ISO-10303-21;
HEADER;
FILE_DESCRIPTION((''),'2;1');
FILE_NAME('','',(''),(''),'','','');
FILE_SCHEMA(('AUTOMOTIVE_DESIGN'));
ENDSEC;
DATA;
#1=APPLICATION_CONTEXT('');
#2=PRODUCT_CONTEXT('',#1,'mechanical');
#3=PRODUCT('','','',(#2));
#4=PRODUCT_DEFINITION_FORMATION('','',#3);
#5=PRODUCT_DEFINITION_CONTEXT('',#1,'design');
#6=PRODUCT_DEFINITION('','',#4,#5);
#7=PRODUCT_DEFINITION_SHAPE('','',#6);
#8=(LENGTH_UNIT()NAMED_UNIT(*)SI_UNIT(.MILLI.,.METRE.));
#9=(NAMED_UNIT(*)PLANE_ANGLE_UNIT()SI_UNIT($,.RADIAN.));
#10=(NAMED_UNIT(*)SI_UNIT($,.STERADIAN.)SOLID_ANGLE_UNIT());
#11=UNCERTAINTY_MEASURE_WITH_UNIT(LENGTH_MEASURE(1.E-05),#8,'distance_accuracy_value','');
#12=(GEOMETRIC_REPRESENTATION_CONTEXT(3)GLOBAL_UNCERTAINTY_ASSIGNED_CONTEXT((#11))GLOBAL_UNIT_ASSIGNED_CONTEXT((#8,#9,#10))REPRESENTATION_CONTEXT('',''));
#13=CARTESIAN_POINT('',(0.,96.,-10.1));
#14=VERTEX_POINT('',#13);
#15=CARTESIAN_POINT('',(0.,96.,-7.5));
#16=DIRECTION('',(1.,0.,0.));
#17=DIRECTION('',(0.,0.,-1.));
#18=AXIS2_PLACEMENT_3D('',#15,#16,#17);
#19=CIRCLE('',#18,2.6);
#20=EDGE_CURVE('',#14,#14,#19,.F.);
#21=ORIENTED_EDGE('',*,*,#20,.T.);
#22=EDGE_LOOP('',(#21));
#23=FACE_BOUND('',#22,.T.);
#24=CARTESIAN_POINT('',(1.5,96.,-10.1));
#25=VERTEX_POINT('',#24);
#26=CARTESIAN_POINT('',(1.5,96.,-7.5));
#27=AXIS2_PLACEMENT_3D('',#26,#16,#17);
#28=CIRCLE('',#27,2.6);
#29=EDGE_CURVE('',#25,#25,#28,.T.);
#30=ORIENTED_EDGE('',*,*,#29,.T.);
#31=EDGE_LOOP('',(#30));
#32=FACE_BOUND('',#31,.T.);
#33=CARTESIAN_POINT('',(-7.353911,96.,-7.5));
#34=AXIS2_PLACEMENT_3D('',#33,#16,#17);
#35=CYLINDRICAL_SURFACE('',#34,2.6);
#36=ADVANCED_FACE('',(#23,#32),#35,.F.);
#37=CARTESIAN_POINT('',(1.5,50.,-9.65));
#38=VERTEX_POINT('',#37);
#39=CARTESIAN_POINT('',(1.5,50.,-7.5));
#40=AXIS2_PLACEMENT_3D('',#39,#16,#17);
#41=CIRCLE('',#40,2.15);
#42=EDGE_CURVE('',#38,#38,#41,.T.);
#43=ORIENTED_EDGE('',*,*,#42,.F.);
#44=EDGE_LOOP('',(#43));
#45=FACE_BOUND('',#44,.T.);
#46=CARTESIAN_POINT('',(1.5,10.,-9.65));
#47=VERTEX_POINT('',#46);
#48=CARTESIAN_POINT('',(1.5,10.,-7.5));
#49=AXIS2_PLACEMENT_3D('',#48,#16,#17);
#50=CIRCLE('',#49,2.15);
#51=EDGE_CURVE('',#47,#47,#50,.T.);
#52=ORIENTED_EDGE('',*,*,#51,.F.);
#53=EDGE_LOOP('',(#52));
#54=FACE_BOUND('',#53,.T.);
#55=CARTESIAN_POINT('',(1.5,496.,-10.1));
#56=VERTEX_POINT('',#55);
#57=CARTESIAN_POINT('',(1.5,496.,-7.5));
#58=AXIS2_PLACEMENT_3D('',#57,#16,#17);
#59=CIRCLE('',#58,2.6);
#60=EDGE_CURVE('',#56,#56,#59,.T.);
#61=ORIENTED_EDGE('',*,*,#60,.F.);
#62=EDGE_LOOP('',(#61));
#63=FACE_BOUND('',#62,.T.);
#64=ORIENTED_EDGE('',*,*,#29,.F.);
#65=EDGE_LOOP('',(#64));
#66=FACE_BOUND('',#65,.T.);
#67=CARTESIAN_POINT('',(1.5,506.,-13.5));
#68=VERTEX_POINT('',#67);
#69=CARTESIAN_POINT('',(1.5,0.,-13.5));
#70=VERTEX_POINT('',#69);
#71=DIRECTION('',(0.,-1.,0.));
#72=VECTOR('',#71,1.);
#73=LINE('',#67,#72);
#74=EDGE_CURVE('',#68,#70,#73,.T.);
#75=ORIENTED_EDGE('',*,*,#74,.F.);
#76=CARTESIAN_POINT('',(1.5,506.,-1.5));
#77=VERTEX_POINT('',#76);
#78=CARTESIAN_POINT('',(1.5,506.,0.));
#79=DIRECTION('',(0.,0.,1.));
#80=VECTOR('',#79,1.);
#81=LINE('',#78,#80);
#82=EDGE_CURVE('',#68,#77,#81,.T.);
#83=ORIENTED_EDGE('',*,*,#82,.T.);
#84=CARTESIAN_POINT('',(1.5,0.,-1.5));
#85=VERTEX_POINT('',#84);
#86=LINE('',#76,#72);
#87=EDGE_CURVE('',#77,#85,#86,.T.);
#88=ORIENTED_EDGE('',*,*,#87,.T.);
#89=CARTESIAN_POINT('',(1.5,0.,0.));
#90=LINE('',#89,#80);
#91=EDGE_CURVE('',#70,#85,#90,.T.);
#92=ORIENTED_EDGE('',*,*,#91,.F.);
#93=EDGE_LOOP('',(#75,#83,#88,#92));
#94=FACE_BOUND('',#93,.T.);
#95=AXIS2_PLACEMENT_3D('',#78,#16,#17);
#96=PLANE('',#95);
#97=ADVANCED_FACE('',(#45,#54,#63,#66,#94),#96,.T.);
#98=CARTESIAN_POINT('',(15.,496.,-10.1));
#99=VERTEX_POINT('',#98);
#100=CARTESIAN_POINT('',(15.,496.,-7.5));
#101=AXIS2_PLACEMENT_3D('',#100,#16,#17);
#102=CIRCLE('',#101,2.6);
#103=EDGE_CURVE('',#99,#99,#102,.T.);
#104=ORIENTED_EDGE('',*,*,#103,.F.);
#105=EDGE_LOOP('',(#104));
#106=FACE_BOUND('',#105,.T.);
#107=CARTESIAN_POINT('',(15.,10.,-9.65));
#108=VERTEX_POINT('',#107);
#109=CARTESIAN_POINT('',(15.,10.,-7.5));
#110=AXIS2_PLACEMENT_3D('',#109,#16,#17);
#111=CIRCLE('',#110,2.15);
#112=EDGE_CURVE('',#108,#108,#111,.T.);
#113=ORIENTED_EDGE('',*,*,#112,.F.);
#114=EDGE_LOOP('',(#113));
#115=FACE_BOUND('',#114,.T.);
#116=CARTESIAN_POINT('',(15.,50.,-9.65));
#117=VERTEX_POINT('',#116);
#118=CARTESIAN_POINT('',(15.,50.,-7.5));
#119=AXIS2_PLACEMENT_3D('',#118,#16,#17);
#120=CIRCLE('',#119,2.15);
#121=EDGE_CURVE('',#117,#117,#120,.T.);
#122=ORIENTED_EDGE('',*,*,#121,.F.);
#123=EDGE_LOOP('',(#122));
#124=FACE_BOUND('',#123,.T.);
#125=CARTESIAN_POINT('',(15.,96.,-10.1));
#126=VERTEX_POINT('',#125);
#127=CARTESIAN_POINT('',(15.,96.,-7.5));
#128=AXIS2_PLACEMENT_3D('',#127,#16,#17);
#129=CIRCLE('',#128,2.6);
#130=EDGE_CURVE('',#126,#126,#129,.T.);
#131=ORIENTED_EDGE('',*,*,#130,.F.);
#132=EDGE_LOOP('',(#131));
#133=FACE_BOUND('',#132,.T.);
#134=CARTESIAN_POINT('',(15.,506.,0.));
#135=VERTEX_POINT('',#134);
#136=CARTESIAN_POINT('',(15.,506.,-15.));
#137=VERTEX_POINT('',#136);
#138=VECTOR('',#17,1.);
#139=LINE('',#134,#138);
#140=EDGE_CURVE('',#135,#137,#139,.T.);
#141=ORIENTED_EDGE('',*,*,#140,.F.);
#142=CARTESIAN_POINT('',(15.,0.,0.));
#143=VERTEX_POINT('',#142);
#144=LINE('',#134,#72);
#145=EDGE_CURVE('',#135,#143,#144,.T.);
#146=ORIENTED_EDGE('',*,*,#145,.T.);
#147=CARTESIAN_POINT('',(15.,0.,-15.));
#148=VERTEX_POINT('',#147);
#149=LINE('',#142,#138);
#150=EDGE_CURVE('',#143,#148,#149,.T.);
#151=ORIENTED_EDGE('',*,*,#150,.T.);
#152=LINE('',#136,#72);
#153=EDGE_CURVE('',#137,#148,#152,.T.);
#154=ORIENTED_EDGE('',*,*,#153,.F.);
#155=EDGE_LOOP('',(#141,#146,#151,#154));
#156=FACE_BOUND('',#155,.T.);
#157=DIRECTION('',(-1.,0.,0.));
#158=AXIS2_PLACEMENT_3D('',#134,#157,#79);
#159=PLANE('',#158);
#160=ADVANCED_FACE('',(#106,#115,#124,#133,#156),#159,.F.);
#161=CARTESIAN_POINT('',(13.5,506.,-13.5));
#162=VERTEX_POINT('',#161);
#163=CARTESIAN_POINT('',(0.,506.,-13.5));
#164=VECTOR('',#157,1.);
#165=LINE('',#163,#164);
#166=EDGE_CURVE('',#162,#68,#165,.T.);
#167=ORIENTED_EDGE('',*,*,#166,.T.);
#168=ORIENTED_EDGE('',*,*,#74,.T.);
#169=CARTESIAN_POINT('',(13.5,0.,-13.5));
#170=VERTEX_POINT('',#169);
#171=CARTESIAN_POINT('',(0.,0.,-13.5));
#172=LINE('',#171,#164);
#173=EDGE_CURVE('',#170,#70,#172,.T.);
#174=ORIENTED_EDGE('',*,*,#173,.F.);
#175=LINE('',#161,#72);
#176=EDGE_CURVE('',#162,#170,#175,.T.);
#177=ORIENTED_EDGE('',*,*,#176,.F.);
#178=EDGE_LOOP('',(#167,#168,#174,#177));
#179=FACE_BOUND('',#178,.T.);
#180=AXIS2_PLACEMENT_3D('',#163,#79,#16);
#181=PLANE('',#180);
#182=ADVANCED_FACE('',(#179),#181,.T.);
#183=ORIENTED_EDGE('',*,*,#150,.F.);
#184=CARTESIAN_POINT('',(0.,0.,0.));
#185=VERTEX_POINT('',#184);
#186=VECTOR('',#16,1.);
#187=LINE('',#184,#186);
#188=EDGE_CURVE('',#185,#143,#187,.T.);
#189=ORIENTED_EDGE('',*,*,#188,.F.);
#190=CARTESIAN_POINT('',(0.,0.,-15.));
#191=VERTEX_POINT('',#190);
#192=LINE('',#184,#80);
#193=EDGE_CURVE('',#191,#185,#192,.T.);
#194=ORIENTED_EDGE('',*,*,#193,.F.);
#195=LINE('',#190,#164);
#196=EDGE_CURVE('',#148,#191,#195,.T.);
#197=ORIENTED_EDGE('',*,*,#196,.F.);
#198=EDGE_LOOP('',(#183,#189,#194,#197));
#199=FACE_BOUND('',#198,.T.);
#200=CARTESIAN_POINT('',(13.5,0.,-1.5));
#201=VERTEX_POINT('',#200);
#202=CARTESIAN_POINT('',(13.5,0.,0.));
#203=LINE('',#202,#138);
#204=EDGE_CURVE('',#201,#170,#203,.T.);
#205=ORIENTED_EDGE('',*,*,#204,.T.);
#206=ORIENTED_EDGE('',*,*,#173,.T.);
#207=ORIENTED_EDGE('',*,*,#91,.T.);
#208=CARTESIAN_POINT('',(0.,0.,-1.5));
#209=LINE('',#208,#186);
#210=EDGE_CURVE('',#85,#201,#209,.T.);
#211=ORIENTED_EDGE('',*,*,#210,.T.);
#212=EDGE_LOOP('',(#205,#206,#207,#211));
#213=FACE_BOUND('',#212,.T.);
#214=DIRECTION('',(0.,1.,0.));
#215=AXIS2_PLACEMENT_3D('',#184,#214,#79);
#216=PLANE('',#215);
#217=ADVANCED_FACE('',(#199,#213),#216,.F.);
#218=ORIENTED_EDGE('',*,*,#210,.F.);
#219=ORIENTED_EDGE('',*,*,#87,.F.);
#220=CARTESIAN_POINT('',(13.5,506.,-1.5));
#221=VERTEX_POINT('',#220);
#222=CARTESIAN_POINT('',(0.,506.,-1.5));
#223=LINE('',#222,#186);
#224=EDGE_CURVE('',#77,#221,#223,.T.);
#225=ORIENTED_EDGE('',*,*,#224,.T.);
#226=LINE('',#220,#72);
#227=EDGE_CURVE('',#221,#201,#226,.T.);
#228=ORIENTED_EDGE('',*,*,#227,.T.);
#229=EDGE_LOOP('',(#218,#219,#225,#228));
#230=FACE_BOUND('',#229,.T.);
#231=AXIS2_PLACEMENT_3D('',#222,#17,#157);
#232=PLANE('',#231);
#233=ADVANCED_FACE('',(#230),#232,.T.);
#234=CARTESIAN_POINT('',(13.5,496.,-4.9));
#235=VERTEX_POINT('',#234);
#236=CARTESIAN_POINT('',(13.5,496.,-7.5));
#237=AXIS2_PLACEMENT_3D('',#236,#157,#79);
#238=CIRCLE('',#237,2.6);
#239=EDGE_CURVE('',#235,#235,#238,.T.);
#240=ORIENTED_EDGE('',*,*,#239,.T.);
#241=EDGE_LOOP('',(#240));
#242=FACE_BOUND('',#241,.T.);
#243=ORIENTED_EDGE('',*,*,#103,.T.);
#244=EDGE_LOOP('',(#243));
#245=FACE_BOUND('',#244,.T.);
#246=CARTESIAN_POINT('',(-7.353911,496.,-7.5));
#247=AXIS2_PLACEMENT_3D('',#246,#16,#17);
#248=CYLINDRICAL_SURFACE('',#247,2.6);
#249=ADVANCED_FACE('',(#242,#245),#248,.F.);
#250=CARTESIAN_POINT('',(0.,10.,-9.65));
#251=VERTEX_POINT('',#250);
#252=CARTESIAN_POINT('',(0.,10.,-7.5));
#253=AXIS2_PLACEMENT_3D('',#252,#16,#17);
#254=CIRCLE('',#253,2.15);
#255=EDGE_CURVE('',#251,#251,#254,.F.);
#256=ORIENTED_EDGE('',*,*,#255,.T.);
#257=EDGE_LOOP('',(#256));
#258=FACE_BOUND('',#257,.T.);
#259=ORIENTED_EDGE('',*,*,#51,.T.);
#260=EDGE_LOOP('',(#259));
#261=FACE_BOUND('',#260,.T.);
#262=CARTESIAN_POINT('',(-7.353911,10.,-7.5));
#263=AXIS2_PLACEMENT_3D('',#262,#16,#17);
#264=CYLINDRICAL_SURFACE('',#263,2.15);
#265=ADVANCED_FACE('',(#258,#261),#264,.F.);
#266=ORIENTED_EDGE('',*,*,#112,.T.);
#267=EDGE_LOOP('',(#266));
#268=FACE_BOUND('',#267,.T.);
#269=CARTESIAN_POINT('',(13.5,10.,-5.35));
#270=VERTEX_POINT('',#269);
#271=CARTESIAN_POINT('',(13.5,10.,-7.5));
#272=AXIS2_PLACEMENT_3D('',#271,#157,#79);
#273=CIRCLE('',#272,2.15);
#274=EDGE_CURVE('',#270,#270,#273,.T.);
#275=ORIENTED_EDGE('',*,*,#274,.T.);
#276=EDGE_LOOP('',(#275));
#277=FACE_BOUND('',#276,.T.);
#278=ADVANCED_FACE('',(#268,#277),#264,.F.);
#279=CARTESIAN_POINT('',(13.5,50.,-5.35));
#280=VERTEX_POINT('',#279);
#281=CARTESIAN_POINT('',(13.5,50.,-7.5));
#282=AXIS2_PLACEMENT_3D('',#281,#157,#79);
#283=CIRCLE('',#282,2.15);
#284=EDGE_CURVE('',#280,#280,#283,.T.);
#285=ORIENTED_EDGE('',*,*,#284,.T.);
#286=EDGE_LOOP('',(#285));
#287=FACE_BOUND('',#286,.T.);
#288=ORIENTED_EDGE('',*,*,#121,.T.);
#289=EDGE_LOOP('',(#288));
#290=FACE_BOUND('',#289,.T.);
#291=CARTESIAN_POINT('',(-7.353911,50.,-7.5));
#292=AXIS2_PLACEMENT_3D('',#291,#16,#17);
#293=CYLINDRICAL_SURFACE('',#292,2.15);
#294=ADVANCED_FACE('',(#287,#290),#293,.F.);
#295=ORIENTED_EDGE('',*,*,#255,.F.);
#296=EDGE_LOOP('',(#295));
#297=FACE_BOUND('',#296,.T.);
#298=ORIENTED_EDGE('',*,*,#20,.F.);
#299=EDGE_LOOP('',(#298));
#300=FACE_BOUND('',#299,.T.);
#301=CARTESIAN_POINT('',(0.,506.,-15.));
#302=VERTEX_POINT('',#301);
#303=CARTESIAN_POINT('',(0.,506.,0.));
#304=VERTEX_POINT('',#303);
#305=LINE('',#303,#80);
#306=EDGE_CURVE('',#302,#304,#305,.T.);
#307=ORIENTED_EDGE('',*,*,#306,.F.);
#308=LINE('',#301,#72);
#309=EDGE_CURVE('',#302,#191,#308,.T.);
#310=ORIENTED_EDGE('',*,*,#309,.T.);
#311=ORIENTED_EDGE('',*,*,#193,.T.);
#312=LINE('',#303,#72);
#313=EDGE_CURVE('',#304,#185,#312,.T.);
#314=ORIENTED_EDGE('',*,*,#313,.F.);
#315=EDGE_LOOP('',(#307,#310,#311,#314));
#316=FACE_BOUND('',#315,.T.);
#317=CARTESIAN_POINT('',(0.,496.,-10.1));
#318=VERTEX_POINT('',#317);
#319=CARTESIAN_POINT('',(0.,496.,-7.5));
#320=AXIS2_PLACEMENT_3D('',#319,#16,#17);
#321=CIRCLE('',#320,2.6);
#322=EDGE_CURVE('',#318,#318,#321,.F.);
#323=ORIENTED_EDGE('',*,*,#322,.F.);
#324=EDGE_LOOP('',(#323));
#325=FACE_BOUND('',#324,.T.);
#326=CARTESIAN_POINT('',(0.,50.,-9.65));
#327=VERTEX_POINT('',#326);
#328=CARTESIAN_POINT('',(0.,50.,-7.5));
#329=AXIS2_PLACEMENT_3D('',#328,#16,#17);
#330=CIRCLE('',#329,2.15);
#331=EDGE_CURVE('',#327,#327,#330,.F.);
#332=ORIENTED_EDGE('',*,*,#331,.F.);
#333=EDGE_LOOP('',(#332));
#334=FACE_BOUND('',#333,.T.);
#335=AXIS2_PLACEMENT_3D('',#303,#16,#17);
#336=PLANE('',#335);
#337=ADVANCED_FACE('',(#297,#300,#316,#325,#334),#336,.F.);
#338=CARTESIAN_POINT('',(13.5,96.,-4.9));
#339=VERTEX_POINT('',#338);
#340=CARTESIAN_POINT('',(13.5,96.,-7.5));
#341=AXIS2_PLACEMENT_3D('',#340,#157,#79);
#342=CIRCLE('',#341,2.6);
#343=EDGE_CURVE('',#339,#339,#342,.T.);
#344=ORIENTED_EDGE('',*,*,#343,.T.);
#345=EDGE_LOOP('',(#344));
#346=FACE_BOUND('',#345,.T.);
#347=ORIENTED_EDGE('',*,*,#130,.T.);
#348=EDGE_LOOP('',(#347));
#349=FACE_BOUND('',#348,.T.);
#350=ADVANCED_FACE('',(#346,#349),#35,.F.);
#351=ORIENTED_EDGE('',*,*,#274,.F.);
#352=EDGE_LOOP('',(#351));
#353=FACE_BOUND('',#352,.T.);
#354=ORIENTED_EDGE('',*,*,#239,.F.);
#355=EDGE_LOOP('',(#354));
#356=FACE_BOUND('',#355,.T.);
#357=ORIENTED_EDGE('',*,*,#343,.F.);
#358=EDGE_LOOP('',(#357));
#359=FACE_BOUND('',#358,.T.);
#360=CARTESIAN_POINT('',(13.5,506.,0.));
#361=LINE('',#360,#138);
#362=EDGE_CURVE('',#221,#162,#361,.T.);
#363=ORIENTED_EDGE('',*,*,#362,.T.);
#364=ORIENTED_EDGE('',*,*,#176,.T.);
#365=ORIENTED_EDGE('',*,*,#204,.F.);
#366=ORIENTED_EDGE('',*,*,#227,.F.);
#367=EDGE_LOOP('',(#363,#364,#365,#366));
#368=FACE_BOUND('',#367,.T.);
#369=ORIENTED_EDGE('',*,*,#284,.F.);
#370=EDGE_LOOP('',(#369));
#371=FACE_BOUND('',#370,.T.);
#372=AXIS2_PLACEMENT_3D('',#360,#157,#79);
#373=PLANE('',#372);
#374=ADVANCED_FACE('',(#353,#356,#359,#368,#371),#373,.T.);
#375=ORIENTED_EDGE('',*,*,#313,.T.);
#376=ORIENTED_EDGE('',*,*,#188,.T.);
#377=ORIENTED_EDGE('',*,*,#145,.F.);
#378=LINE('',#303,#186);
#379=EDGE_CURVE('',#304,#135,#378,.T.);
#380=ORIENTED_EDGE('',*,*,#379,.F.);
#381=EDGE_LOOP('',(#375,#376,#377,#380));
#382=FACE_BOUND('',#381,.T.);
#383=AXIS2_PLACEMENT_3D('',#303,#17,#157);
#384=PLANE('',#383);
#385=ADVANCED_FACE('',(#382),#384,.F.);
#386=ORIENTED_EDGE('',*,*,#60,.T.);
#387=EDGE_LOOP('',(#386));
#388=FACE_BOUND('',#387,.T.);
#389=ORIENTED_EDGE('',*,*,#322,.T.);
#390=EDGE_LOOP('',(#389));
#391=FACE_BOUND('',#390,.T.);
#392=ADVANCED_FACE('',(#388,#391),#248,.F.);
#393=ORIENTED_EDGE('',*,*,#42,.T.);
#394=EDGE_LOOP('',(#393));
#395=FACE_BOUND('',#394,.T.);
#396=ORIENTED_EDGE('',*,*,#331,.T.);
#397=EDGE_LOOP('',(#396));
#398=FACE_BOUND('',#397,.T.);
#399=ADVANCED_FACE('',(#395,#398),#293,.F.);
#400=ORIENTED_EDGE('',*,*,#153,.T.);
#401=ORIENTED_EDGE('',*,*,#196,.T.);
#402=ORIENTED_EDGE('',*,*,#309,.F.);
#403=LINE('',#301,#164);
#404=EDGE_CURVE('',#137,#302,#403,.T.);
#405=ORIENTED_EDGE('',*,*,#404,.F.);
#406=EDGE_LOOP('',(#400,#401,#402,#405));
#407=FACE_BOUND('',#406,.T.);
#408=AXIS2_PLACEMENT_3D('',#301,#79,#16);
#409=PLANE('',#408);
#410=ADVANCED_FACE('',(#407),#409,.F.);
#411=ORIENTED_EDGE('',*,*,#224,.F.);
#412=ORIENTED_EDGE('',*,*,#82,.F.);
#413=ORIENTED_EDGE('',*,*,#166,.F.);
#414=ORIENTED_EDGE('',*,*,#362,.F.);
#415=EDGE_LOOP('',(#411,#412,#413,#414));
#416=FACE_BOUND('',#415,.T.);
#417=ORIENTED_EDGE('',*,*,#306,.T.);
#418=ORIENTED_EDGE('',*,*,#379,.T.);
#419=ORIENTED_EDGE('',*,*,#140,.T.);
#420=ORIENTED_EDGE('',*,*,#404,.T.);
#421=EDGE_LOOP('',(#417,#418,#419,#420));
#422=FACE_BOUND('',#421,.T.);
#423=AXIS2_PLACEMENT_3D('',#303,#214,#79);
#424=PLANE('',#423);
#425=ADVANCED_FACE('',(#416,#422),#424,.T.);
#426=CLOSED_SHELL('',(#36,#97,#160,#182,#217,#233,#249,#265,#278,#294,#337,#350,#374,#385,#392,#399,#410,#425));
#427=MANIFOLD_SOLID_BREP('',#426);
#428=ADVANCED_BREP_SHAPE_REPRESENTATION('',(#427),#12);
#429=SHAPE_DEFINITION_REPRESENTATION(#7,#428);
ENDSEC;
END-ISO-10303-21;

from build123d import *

# Parameters (mm, degrees)
SKETCH_1_W          = 15
SKETCH_1_H          = 15
SKETCH_1_W_2        = 12
SKETCH_1_H_2        = 12
EXTRUDE_1_DEPTH     = 506
CUT_EXTRUDE_1_REACH = 508.444
SKETCH_2_R          = 2.6
SKETCH_2_R_2        = 2.15


with BuildPart() as part:
    # ｽｹｯﾁ1 → 押し出し-薄板1 (new body)
    with BuildSketch(Plane(origin=(0, 0, 0), x_dir=(1, 0, 0), z_dir=(0, 1, 0))):
        with Locations((7.5, 7.5)):
            Rectangle(SKETCH_1_W, SKETCH_1_H)
        with Locations((7.5, 7.5)):
            Rectangle(SKETCH_1_W_2, SKETCH_1_H_2, mode=Mode.SUBTRACT)
    extrude(amount=EXTRUDE_1_DEPTH)

    # ｶｯﾄ - 押し出し1: up to this face of the body (flat: up to its plane)
    cut_extrude_1_end = Plane(part.part.faces().sort_by_distance((0, 253, -7.5))[0])
    # ｽｹｯﾁ2 → ｶｯﾄ - 押し出し1 (cut, up to the picked face)
    with BuildSketch(Plane(origin=(15, 0, 0), x_dir=(0, 0, -1), z_dir=(1, 0, 0)), mode=Mode.PRIVATE) as cut_extrude_1_sk1:
        with Locations((7.5, 496)):
            Circle(SKETCH_2_R)
    cut_extrude_1_tool1 = split(extrude(cut_extrude_1_sk1.sketch, amount=-CUT_EXTRUDE_1_REACH, mode=Mode.PRIVATE), bisect_by=cut_extrude_1_end, keep=Keep.BOTH, mode=Mode.PRIVATE)
    # ｽｹｯﾁ2 → ｶｯﾄ - 押し出し1 (cut, up to the picked face)
    with BuildSketch(Plane(origin=(15, 0, 0), x_dir=(0, 0, -1), z_dir=(1, 0, 0)), mode=Mode.PRIVATE) as cut_extrude_1_sk2:
        with Locations((7.5, 10)):
            Circle(SKETCH_2_R_2)
    cut_extrude_1_tool2 = split(extrude(cut_extrude_1_sk2.sketch, amount=-CUT_EXTRUDE_1_REACH, mode=Mode.PRIVATE), bisect_by=cut_extrude_1_end, keep=Keep.BOTH, mode=Mode.PRIVATE)
    # ｽｹｯﾁ2 → ｶｯﾄ - 押し出し1 (cut, up to the picked face)
    with BuildSketch(Plane(origin=(15, 0, 0), x_dir=(0, 0, -1), z_dir=(1, 0, 0)), mode=Mode.PRIVATE) as cut_extrude_1_sk3:
        with Locations((7.5, 50)):
            Circle(SKETCH_2_R_2)
    cut_extrude_1_tool3 = split(extrude(cut_extrude_1_sk3.sketch, amount=-CUT_EXTRUDE_1_REACH, mode=Mode.PRIVATE), bisect_by=cut_extrude_1_end, keep=Keep.BOTH, mode=Mode.PRIVATE)
    # ｽｹｯﾁ2 → ｶｯﾄ - 押し出し1 (cut, up to the picked face)
    with BuildSketch(Plane(origin=(15, 0, 0), x_dir=(0, 0, -1), z_dir=(1, 0, 0)), mode=Mode.PRIVATE) as cut_extrude_1_sk4:
        with Locations((7.5, 96)):
            Circle(SKETCH_2_R)
    cut_extrude_1_tool4 = split(extrude(cut_extrude_1_sk4.sketch, amount=-CUT_EXTRUDE_1_REACH, mode=Mode.PRIVATE), bisect_by=cut_extrude_1_end, keep=Keep.BOTH, mode=Mode.PRIVATE)
    add(cut_extrude_1_tool1.solids().sort_by(Axis((15, 496, -7.5), (-1, 0, 0)))[0], mode=Mode.SUBTRACT)
    add(cut_extrude_1_tool2.solids().sort_by(Axis((15, 10, -7.5), (-1, 0, 0)))[0], mode=Mode.SUBTRACT)
    add(cut_extrude_1_tool3.solids().sort_by(Axis((15, 50, -7.5), (-1, 0, 0)))[0], mode=Mode.SUBTRACT)
    add(cut_extrude_1_tool4.solids().sort_by(Axis((15, 96, -7.5), (-1, 0, 0)))[0], mode=Mode.SUBTRACT)


solid = part.part
